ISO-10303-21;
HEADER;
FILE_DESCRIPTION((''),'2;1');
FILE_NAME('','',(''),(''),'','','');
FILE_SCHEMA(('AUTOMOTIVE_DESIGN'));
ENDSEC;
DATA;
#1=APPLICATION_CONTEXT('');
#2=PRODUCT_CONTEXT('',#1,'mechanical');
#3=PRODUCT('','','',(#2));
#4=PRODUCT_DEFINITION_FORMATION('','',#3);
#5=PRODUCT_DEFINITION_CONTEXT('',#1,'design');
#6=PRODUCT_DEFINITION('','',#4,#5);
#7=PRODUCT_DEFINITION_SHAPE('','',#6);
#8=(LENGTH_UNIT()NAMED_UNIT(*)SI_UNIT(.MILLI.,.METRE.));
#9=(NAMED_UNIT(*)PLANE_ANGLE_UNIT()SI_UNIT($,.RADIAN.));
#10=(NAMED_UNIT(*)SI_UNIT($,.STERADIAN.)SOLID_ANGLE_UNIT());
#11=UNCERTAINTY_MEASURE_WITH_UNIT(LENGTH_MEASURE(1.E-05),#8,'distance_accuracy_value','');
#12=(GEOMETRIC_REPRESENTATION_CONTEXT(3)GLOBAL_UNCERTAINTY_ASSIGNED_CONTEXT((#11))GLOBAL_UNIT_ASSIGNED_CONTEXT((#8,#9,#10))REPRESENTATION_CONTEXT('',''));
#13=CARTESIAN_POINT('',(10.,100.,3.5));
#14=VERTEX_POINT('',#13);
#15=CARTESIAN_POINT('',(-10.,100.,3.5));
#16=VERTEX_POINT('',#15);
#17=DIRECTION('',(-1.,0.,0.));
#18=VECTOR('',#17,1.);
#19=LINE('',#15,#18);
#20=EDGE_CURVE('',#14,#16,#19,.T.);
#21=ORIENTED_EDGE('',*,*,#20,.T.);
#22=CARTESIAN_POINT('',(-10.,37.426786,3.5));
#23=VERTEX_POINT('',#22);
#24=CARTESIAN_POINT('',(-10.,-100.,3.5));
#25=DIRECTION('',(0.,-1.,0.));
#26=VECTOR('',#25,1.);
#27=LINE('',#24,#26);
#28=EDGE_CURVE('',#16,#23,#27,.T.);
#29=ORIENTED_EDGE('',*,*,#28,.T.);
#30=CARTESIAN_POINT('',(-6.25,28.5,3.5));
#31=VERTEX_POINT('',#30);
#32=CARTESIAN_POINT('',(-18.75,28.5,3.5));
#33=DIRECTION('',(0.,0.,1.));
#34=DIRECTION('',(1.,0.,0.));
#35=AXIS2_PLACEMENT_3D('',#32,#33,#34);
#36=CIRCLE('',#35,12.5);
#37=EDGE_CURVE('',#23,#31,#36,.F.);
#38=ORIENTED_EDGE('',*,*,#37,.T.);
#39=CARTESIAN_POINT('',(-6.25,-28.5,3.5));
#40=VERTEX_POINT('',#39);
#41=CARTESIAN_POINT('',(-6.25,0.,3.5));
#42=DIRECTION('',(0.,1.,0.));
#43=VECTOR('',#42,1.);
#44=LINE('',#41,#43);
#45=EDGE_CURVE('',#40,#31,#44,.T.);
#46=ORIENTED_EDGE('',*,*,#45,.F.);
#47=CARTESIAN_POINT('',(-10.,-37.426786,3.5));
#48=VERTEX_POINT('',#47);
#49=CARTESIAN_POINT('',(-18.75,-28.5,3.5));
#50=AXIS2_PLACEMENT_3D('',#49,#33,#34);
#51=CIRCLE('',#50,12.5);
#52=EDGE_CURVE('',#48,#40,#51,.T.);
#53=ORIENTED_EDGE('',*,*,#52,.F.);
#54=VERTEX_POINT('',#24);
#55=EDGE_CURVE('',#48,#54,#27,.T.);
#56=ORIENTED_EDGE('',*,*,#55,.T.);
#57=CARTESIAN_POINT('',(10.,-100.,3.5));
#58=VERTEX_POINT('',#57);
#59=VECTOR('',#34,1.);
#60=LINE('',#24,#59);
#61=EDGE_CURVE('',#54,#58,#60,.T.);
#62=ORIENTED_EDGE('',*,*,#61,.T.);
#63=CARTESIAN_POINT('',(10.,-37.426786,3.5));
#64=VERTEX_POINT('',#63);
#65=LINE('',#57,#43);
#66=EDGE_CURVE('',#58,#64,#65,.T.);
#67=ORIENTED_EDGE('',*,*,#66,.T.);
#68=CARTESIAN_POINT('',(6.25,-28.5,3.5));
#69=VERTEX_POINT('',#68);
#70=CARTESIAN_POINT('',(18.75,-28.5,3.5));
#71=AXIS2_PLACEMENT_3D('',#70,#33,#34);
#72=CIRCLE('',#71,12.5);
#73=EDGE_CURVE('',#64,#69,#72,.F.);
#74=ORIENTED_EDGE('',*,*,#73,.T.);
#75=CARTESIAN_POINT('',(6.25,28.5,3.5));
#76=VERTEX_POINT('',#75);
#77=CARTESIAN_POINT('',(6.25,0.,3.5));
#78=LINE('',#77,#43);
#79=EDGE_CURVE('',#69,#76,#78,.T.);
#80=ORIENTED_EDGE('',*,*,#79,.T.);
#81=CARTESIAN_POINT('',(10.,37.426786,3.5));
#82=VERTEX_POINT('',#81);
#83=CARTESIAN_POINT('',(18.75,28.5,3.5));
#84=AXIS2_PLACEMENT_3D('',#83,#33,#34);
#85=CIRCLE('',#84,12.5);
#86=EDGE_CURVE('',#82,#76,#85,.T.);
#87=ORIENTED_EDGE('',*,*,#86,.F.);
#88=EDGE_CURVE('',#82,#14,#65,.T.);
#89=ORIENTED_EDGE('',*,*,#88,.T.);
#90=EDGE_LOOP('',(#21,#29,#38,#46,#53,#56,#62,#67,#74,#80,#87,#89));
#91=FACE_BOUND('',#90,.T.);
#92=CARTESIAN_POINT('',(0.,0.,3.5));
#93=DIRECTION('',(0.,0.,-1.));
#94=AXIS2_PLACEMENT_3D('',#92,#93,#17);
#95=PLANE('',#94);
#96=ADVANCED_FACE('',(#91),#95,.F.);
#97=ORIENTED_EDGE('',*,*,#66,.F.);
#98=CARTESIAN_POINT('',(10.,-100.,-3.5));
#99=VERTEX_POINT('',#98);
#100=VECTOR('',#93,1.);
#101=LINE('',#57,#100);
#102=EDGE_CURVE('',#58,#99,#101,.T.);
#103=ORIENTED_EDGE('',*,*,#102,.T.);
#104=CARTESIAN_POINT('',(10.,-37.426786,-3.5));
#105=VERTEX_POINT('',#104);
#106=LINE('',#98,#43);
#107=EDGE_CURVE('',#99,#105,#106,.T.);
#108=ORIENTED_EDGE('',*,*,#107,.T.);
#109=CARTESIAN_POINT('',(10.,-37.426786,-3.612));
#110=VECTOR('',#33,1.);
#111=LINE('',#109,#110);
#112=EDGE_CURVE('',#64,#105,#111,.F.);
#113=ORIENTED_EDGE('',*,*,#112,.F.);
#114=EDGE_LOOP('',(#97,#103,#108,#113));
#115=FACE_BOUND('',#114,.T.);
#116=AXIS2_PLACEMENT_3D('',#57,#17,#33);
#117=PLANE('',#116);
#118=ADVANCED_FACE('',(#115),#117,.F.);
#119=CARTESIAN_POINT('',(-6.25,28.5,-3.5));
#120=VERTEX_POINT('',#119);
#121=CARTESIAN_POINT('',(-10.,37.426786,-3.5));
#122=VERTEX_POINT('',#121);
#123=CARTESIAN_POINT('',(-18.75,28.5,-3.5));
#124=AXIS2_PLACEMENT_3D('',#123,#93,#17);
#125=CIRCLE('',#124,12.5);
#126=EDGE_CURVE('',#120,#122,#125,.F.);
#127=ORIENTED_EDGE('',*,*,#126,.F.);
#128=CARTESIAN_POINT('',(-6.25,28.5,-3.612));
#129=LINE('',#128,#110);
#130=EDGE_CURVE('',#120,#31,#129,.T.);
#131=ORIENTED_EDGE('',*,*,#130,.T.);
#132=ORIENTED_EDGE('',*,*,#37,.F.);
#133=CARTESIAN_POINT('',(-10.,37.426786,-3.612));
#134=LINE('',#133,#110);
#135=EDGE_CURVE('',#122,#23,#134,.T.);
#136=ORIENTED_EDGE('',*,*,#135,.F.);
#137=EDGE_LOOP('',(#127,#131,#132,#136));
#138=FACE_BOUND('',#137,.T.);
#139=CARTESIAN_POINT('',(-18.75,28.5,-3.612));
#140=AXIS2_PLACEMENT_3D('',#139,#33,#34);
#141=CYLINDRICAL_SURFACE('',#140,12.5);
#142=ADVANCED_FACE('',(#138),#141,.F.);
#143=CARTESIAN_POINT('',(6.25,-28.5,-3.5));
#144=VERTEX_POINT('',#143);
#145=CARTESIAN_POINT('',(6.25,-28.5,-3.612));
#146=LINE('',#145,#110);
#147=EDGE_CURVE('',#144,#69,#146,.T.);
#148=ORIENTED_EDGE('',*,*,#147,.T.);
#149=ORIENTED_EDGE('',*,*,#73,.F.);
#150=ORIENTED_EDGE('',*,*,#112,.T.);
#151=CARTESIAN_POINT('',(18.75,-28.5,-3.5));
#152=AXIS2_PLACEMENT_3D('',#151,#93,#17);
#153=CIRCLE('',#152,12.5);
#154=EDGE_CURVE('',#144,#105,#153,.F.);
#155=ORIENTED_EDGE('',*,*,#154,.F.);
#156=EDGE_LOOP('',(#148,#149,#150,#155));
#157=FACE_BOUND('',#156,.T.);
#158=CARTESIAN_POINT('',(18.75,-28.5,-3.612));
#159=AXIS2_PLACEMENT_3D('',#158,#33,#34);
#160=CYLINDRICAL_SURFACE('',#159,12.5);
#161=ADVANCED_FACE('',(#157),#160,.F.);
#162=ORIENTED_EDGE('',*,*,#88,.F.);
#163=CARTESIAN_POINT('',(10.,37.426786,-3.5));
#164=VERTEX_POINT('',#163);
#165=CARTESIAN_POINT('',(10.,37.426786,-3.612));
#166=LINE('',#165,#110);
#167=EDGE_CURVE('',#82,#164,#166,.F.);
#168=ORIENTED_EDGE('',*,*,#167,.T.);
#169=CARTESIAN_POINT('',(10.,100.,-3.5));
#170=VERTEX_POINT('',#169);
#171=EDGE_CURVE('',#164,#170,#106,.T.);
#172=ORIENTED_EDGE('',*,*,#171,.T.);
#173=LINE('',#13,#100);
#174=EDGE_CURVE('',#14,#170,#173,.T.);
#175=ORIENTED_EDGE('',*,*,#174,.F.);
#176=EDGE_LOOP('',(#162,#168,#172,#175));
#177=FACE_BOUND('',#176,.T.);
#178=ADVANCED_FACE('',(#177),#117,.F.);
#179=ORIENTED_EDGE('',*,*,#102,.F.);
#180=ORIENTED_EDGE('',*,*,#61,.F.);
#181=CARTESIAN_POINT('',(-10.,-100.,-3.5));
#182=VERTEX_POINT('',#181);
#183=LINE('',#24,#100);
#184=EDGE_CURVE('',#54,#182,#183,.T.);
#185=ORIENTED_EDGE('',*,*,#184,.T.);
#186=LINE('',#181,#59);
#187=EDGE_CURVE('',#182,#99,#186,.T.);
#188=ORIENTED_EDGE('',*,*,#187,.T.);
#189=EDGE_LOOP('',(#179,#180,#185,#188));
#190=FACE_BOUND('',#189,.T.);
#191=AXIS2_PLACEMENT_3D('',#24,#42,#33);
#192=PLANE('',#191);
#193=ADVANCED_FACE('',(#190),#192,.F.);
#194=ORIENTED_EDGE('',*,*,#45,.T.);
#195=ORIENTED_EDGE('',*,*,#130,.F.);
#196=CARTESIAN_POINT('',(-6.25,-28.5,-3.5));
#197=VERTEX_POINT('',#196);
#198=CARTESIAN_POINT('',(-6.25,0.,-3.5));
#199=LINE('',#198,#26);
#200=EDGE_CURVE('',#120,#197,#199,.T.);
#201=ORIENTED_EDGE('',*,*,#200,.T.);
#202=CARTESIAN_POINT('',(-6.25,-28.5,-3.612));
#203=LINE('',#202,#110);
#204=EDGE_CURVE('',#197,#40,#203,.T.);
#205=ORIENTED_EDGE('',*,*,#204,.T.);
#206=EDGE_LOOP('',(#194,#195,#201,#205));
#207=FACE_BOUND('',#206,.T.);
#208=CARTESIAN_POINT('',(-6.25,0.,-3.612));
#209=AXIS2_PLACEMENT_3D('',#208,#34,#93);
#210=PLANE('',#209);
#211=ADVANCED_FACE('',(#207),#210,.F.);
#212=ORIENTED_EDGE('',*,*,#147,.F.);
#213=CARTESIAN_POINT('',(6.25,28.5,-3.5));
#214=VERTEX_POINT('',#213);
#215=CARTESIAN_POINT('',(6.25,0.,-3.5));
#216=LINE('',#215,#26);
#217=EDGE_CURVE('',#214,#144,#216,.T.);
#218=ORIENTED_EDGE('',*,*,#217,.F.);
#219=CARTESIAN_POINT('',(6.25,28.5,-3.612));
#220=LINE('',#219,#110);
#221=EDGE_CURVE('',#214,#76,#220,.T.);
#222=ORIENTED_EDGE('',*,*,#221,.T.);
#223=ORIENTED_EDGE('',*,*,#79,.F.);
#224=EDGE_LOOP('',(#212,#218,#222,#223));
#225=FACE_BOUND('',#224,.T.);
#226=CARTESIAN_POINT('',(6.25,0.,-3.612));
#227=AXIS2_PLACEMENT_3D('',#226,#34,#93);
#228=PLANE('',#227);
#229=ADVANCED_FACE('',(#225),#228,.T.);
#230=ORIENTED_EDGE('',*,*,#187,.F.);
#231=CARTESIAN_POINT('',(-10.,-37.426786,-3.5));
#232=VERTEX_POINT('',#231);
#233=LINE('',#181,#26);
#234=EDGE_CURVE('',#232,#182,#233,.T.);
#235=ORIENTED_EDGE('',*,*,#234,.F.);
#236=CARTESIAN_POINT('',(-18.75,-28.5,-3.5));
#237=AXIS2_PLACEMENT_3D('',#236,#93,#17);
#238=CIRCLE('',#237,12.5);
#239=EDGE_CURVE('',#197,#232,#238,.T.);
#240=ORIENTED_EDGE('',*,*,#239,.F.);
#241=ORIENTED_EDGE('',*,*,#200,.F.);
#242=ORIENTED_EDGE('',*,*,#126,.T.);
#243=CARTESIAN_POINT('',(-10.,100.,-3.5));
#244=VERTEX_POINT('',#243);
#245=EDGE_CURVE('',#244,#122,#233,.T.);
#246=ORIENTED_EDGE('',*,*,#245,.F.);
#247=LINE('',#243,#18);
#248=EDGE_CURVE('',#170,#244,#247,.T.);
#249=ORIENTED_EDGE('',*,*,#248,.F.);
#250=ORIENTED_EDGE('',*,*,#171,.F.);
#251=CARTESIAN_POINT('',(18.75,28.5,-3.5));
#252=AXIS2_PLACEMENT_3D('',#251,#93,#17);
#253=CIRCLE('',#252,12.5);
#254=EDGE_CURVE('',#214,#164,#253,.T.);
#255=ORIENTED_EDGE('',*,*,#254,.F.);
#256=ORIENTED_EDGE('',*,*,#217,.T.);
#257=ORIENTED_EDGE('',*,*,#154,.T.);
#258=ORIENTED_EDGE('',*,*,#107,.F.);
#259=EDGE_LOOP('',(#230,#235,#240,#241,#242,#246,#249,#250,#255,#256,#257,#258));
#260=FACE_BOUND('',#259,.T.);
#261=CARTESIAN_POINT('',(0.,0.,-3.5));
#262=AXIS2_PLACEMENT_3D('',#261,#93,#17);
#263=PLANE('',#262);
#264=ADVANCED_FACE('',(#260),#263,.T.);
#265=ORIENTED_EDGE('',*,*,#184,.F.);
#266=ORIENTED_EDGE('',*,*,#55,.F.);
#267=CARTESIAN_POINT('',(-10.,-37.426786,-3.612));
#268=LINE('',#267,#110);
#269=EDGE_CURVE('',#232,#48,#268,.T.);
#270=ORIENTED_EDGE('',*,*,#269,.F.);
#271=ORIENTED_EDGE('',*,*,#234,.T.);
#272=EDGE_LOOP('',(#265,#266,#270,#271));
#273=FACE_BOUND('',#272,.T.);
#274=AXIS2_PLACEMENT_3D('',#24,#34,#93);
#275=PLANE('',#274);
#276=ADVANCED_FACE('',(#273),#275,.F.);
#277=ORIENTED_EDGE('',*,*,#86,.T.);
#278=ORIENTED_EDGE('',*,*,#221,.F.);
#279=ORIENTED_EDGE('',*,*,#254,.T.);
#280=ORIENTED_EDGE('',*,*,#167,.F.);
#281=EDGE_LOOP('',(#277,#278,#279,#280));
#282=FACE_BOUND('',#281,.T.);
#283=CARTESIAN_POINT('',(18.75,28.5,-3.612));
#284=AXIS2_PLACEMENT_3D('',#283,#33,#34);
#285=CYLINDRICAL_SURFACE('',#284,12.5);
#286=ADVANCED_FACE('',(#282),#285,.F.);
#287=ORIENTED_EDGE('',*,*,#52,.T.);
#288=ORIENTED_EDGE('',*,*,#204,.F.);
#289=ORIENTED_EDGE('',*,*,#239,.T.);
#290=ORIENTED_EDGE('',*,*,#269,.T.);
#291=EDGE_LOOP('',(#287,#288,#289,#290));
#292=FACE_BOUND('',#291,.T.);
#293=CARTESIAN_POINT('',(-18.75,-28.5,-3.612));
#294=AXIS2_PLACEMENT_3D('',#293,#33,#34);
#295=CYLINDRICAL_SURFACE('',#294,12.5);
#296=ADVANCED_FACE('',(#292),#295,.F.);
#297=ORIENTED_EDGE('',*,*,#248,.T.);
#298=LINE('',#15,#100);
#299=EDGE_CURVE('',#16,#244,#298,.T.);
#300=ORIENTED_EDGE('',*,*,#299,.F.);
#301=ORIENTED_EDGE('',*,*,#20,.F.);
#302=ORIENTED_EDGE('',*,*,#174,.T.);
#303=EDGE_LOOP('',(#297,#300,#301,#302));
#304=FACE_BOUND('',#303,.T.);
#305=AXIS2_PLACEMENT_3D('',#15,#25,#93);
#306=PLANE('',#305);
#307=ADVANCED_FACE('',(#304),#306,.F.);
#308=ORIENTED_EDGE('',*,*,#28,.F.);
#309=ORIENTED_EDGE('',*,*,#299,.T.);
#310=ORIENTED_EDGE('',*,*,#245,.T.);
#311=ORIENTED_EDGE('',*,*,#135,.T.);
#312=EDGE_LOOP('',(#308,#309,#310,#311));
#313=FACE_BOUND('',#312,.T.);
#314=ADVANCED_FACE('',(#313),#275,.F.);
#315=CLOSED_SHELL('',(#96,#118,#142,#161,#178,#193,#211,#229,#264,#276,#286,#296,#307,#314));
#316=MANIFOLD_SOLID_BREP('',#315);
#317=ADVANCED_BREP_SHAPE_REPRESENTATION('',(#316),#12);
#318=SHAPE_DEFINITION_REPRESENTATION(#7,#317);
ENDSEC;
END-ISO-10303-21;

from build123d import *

# Parameters (mm, degrees)
SKETCH1_W           = 19.999999878
SKETCH1_H           = 200.00000005
BOSS_EXTRUDE1_DEPTH = 3.499999985
CUT_EXTRUDE1_DEPTH  = 7.112


with BuildPart() as part:
    # Sketch1 → Boss-Extrude1 (new, symmetric)
    with BuildSketch(Plane.XY):
        Rectangle(SKETCH1_W, SKETCH1_H)
    extrude(amount=BOSS_EXTRUDE1_DEPTH, both=True)

    # Sketch2 → Cut-Extrude1 (cut)
    with BuildSketch(Plane.XY.offset(3.499999985)):
        with BuildLine():
            ThreePointArc((-9.999999939, 19.57321454), (-7.225569373, 23.658770866), (-6.249999946, 28.500000023))
            ThreePointArc((-6.249999946, 28.500000023), (-7.225569373, 33.34122918), (-9.999999939, 37.426785506))
            Line((-9.999999939, 37.426785506), (-9.999999939, 19.57321454))
        make_face()
        with BuildLine():
            ThreePointArc((-9.999999939, 37.426785506), (-31.24999973, 28.500000023), (-9.999999939, 19.57321454))
            Line((-9.999999939, 19.57321454), (-9.999999939, 37.426785506))
        make_face()
        with BuildLine():
            ThreePointArc((9.999999939, 37.426785506), (7.225569373, 33.34122918), (6.249999946, 28.500000023))
            ThreePointArc((6.249999946, 28.500000023), (7.225569373, 23.658770866), (9.999999939, 19.57321454))
            Line((9.999999939, 19.57321454), (9.999999939, 37.426785506))
        make_face()
        with BuildLine():
            Line((9.999999939, 37.426785506), (9.999999939, 19.57321454))
            ThreePointArc((9.999999939, 19.57321454), (23.591228995, 16.975569558), (31.24999973, 28.500000023))
            ThreePointArc((31.24999973, 28.500000023), (23.591228995, 40.024430488), (9.999999939, 37.426785506))
        make_face()
        with BuildLine():
            Line((6.249999946, 28.500000023), (6.249999946, -28.500000023))
            ThreePointArc((6.249999946, -28.500000023), (7.225569373, -23.658770866), (9.999999939, -19.57321454))
            Line((9.999999939, -19.57321454), (9.999999939, 19.57321454))
            ThreePointArc((9.999999939, 19.57321454), (7.225569373, 23.658770866), (6.249999946, 28.500000023))
        make_face()
        with BuildLine():
            ThreePointArc((-9.999999939, -19.57321454), (-7.225569373, -23.658770866), (-6.249999946, -28.500000023))
            Line((-6.249999946, -28.500000023), (-6.249999946, 28.500000023))
            ThreePointArc((-6.249999946, 28.500000023), (-7.225569373, 23.658770866), (-9.999999939, 19.57321454))
            Line((-9.999999939, 19.57321454), (-9.999999939, -19.57321454))
        make_face()
        with BuildLine():
            ThreePointArc((-9.999999939, -37.426785506), (-7.225569373, -33.34122918), (-6.249999946, -28.500000023))
            ThreePointArc((-6.249999946, -28.500000023), (-7.225569373, -23.658770866), (-9.999999939, -19.57321454))
            Line((-9.999999939, -19.57321454), (-9.999999939, -37.426785506))
        make_face()
        with BuildLine():
            Line((-9.999999939, -37.426785506), (-9.999999939, -19.57321454))
            ThreePointArc((-9.999999939, -19.57321454), (-31.24999973, -28.500000023), (-9.999999939, -37.426785506))
        make_face()
        with BuildLine():
            ThreePointArc((9.999999939, -19.57321454), (7.225569373, -23.658770866), (6.249999946, -28.500000023))
            ThreePointArc((6.249999946, -28.500000023), (7.225569373, -33.34122918), (9.999999939, -37.426785506))
            Line((9.999999939, -37.426785506), (9.999999939, -19.57321454))
        make_face()
        with BuildLine():
            ThreePointArc((31.24999973, -28.500000023), (23.591228995, -16.975569558), (9.999999939, -19.57321454))
            Line((9.999999939, -19.57321454), (9.999999939, -37.426785506))
            ThreePointArc((9.999999939, -37.426785506), (23.591228995, -40.024430488), (31.24999973, -28.500000023))
        make_face()
    extrude(amount=-CUT_EXTRUDE1_DEPTH, mode=Mode.SUBTRACT)


solid = part.part
